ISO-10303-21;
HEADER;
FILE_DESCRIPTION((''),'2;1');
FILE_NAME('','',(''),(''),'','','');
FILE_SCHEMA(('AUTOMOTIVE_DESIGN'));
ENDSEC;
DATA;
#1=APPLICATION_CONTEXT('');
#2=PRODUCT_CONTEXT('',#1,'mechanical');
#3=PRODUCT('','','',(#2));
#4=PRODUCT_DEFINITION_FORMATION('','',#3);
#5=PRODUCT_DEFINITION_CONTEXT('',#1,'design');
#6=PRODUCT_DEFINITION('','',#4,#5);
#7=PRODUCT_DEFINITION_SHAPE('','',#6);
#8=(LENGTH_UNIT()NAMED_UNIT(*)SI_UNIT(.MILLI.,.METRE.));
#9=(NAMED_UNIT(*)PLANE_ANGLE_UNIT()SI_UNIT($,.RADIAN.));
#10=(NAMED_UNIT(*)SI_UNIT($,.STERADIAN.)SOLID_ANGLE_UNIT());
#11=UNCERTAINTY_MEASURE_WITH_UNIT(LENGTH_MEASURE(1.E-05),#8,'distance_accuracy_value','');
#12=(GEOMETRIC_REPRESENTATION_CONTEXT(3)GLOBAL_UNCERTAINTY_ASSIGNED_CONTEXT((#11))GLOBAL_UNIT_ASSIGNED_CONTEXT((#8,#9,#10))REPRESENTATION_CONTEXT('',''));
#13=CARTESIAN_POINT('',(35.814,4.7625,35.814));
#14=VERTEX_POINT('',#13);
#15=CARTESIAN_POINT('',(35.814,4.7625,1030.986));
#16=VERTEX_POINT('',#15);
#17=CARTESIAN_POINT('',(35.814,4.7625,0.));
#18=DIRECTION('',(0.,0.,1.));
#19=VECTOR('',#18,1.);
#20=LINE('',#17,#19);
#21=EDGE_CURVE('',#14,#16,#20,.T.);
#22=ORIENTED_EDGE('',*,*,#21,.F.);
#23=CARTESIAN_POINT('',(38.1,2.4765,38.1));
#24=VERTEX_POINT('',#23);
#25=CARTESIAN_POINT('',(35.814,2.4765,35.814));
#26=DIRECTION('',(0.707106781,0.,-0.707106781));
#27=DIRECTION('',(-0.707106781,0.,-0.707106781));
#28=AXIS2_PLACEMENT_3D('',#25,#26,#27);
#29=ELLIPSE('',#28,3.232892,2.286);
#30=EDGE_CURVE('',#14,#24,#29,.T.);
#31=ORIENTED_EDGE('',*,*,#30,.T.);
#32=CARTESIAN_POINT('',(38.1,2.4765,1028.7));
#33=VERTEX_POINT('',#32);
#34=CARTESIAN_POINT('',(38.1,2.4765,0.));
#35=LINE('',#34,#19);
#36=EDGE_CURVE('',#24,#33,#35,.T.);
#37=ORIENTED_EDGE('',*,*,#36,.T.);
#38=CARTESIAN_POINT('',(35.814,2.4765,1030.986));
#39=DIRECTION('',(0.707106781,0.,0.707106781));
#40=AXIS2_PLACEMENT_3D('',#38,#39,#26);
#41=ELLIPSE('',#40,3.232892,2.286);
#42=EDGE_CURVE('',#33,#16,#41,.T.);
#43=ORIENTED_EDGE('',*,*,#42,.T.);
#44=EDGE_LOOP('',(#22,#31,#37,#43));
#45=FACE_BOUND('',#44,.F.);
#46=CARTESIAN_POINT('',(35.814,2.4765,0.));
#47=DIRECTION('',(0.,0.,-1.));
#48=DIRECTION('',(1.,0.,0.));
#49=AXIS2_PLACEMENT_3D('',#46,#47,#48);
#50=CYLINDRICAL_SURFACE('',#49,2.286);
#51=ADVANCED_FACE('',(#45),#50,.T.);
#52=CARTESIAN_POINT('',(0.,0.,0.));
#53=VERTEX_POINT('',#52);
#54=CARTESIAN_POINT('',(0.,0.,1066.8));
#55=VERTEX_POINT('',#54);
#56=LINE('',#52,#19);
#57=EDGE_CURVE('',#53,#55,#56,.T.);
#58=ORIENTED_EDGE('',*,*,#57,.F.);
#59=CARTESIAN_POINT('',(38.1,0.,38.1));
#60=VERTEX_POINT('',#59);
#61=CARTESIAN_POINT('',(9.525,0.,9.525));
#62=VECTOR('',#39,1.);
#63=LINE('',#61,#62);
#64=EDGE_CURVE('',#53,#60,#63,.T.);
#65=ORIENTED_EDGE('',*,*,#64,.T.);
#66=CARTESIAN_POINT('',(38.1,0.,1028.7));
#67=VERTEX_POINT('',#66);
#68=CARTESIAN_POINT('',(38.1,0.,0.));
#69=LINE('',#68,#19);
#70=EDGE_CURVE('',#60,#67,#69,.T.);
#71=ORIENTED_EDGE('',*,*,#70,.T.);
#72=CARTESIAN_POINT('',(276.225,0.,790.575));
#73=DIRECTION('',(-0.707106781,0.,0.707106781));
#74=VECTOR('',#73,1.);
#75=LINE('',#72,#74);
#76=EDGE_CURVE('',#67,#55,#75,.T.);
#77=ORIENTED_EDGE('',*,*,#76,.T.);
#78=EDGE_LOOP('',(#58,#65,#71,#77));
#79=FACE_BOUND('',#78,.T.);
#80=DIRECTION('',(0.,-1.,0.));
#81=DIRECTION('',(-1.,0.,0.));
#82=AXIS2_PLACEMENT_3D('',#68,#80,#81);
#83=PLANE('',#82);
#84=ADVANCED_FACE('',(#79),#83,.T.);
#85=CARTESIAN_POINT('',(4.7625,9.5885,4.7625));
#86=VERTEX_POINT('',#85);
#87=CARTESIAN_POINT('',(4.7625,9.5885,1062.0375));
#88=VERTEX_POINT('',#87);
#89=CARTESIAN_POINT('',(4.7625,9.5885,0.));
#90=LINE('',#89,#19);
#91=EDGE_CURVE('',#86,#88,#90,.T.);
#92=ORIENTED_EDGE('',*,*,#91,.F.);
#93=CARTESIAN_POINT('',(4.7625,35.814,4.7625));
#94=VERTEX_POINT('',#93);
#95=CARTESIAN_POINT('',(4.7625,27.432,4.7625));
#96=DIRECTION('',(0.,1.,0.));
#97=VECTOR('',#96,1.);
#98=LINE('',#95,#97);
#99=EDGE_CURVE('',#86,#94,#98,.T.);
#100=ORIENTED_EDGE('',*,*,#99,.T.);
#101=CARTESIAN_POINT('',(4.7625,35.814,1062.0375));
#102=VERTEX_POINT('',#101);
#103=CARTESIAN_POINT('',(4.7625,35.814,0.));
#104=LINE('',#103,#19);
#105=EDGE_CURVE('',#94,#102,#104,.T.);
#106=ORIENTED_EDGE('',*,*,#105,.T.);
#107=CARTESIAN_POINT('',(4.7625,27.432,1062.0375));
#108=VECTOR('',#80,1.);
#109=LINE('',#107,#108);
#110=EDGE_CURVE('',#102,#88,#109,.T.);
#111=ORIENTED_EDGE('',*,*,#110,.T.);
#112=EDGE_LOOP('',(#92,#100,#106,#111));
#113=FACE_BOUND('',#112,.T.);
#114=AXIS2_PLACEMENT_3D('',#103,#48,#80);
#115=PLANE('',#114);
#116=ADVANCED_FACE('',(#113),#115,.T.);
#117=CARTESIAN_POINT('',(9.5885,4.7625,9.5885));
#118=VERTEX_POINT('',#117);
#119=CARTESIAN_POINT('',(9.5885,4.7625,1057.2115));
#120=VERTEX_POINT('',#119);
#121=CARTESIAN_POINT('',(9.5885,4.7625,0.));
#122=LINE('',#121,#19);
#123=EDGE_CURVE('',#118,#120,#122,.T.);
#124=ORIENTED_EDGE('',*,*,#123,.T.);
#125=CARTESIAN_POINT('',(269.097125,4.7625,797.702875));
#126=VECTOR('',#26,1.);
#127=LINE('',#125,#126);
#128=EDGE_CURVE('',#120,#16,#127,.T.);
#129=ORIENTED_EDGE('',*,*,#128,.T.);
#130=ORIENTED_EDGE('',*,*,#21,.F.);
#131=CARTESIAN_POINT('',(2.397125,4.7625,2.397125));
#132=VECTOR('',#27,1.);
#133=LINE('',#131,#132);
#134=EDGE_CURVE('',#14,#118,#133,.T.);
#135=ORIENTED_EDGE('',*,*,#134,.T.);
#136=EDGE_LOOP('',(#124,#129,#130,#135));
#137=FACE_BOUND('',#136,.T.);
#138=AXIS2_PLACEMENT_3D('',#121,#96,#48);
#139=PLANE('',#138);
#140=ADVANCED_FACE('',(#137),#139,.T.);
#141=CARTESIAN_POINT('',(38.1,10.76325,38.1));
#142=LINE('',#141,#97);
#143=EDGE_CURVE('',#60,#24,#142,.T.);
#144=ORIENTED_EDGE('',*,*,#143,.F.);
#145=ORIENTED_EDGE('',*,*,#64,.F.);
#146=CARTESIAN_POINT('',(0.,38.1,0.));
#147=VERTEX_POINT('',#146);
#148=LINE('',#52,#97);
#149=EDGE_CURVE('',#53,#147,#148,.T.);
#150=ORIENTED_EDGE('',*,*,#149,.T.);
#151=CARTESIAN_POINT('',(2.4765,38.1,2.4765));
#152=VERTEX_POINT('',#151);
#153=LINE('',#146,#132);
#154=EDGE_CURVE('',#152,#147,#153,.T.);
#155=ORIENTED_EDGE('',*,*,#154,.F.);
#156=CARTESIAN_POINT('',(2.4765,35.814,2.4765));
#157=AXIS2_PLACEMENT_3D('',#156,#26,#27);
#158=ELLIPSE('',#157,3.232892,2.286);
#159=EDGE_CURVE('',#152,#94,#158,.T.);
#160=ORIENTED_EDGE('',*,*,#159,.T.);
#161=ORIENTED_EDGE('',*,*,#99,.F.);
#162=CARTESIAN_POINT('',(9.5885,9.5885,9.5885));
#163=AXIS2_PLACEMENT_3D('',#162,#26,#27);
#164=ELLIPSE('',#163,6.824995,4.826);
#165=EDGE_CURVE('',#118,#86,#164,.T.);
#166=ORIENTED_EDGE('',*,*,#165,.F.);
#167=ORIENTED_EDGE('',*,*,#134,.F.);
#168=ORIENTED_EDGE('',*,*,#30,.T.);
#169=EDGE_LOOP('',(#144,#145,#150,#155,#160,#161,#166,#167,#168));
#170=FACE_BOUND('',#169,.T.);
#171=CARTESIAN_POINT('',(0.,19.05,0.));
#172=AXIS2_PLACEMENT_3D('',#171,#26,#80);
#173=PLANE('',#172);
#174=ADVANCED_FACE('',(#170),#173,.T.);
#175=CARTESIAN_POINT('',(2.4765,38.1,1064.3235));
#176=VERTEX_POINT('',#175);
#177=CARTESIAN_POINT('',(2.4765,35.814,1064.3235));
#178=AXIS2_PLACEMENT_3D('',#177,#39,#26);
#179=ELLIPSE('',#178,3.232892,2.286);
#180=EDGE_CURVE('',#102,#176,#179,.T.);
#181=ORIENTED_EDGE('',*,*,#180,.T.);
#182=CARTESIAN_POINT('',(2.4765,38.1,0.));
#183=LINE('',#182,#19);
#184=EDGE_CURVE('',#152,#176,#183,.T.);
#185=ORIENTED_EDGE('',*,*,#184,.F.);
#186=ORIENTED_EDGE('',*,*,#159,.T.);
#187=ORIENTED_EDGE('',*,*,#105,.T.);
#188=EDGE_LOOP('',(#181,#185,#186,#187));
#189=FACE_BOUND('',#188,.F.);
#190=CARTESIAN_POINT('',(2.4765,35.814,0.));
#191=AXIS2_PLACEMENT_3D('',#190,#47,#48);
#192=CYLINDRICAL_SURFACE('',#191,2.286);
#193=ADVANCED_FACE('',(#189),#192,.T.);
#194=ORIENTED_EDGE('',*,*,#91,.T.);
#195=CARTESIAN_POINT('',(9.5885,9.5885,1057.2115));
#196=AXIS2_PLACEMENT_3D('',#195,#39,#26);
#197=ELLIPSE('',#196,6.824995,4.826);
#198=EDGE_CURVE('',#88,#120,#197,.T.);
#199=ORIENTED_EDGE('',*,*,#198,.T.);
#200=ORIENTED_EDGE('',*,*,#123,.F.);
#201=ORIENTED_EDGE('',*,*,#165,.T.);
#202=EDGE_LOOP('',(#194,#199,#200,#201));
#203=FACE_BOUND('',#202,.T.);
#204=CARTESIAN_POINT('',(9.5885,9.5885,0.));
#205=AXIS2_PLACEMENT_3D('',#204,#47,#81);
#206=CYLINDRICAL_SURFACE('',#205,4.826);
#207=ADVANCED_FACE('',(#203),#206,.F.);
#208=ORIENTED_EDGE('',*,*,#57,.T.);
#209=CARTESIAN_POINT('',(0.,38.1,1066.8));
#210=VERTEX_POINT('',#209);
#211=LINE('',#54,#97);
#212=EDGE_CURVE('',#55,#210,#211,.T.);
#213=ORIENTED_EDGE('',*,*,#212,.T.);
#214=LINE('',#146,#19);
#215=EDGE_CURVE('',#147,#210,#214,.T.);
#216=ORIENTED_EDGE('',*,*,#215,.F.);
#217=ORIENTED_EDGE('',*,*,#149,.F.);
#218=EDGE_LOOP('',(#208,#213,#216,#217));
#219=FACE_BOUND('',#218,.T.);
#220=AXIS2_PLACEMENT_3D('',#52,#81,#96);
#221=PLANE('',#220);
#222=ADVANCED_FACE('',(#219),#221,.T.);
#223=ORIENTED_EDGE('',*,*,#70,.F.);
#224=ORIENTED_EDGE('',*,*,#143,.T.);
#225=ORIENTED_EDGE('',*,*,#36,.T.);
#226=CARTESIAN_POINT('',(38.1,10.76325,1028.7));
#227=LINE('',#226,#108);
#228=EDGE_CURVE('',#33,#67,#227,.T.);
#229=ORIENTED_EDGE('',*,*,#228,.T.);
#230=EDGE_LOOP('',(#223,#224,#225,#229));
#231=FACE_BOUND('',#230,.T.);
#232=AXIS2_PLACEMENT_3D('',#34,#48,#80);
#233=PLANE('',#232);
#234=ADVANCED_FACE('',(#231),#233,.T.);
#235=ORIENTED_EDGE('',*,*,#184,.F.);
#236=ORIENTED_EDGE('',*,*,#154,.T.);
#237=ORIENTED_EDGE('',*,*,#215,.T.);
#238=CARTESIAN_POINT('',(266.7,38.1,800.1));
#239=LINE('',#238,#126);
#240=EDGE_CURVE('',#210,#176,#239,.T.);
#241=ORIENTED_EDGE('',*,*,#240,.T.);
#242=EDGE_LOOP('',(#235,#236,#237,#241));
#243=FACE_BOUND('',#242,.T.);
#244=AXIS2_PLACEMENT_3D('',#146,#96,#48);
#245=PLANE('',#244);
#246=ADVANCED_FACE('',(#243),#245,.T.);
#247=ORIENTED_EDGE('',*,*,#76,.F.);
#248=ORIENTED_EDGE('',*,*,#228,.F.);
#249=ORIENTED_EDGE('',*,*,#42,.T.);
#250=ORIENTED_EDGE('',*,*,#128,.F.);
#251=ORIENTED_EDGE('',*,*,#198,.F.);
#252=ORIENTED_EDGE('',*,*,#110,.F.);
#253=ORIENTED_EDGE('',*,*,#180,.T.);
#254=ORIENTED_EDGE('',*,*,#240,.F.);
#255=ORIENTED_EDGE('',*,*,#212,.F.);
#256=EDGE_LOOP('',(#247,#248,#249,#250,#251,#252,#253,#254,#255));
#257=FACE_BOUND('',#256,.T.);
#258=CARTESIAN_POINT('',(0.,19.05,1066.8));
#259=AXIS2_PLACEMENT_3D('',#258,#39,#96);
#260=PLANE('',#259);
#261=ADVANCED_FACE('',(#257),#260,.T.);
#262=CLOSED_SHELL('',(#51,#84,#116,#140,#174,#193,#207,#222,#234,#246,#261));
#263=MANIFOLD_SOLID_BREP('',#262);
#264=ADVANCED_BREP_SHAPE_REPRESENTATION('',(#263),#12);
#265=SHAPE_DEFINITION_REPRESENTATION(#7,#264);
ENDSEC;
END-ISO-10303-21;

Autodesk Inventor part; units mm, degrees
ref_plane "Start plane" through (0, 0, 0) normal (0, 0, 1) x (1, 0, 0)
ref_plane "End plane" through (0, 0, 1066.8) normal (0, 0, 1) x (1, 0, 0)
sketch "Sketch" plane through (0, 0, 0) normal (0, 0, 1) x (1, 0, 0)
  line L0 (38.1, 0) -> (0, 0)
  line L1 (0, 0) -> (0, 38.1)
  line L2 (0, 38.1) -> (2.4765, 38.1)
  line L3 (4.7625, 35.814) -> (4.7625, 9.5885)
  line L4 (9.5885, 4.7625) -> (35.814, 4.7625)
  line L5 (38.1, 2.4765) -> (38.1, 0)
  line L6 (0, -11.0414) -> (0, 31.5385) construction
  line L7 (-11.0414, 0) -> (31.5385, 0) construction
  arc A0 (4.7625, 9.5885) -> (9.5885, 4.7625) centre (9.5885, 9.5885) ccw
  arc A1 (4.7625, 35.814) -> (2.4765, 38.1) centre (2.4765, 35.814) ccw
  arc A2 (38.1, 2.4765) -> (35.814, 4.7625) centre (35.814, 2.4765) ccw
  line L8 (0, 48.4964) -> (0, -20.9644) construction
  line L9 (-20.9644, 0) -> (48.4964, 0) construction
  point P0 (4.7625, 38.1)
  point P1 (4.7625, 4.7625)
  point P2 (38.1, 4.7625)
  dimension "d0" = 38.1
  dimension "d1" = 38.1
  dimension "d2" = 4.7625
  dimension "d3" = 4.7625
  dimension "d10" = 0
  dimension "d11" = 0
  dimension "d14" = 4.826
  dimension "d15" = 2.286
extrude "Body" add sketch "Sketch" along normal up to surface (1066.8 mm away) from surface at 0
sketch "Sketch3" plane through (0, 0, 0) normal (0, 0, 1) x (1, 0, 0)
  line L0 (0, 0) -> (10, 0)
ref_plane "Work Plane3" through (0, 0, 0) normal (0, -1, 0) x (1, 0, 0)
sketch "Sketch4" plane through (0, 0, 0) normal (0, -1, 0) x (1, 0, 0)
  line L0 (-2, 0) -> (12, 0)
  line L1 (-2, 1066.8) -> (12, 1066.8)
  dimension "d17" = 1066.8
ref_plane "Work Plane4" through (0, 19.05, 1066.8) normal (0.7071, 0, 0.7071) x (0.7071, 0, -0.7071)
split "Split1" plane through (0, 19.05, 1066.8) removes the side toward (0.7071, 0, 0.7071)
ref_plane "Work Plane5" through (0, 19.05, 0) normal (0.7071, 0, -0.7071) x (-0.7071, 0, -0.7071)
split "Split2" plane through (0, 19.05, 0) removes the side toward (0.7071, 0, -0.7071)
equation "\"d0\" = G_H"
equation "\"d1\" = G_H"
equation "\"d2\" = G_T"
equation "\"d3\" = G_T"
equation "\"d14\" = G_IR"
equation "\"d15\" = G_ER"
equation "\"d4\" = G_L"
equation "\"G_H\" = 38.1"
equation "\"G_T\" = 4.7625"
equation "\"G_ER\" = 2.286"
equation "\"G_IR\" = 4.826"
equation "\"G_L\" = d17"
equation "\"ex\" = 0"
equation "\"G_OFFSET_START\" = 0"
equation "\"G_OFFSET_END\" = 0"
equation "\"d13\" = G_OFFSET_END + B_L"
equation "\"B_L\" = 1066.8"
properties part number "AISC - L 1.5 x 1.5 x 3/16 - 42" material "Aluminum 6061-AHC"
